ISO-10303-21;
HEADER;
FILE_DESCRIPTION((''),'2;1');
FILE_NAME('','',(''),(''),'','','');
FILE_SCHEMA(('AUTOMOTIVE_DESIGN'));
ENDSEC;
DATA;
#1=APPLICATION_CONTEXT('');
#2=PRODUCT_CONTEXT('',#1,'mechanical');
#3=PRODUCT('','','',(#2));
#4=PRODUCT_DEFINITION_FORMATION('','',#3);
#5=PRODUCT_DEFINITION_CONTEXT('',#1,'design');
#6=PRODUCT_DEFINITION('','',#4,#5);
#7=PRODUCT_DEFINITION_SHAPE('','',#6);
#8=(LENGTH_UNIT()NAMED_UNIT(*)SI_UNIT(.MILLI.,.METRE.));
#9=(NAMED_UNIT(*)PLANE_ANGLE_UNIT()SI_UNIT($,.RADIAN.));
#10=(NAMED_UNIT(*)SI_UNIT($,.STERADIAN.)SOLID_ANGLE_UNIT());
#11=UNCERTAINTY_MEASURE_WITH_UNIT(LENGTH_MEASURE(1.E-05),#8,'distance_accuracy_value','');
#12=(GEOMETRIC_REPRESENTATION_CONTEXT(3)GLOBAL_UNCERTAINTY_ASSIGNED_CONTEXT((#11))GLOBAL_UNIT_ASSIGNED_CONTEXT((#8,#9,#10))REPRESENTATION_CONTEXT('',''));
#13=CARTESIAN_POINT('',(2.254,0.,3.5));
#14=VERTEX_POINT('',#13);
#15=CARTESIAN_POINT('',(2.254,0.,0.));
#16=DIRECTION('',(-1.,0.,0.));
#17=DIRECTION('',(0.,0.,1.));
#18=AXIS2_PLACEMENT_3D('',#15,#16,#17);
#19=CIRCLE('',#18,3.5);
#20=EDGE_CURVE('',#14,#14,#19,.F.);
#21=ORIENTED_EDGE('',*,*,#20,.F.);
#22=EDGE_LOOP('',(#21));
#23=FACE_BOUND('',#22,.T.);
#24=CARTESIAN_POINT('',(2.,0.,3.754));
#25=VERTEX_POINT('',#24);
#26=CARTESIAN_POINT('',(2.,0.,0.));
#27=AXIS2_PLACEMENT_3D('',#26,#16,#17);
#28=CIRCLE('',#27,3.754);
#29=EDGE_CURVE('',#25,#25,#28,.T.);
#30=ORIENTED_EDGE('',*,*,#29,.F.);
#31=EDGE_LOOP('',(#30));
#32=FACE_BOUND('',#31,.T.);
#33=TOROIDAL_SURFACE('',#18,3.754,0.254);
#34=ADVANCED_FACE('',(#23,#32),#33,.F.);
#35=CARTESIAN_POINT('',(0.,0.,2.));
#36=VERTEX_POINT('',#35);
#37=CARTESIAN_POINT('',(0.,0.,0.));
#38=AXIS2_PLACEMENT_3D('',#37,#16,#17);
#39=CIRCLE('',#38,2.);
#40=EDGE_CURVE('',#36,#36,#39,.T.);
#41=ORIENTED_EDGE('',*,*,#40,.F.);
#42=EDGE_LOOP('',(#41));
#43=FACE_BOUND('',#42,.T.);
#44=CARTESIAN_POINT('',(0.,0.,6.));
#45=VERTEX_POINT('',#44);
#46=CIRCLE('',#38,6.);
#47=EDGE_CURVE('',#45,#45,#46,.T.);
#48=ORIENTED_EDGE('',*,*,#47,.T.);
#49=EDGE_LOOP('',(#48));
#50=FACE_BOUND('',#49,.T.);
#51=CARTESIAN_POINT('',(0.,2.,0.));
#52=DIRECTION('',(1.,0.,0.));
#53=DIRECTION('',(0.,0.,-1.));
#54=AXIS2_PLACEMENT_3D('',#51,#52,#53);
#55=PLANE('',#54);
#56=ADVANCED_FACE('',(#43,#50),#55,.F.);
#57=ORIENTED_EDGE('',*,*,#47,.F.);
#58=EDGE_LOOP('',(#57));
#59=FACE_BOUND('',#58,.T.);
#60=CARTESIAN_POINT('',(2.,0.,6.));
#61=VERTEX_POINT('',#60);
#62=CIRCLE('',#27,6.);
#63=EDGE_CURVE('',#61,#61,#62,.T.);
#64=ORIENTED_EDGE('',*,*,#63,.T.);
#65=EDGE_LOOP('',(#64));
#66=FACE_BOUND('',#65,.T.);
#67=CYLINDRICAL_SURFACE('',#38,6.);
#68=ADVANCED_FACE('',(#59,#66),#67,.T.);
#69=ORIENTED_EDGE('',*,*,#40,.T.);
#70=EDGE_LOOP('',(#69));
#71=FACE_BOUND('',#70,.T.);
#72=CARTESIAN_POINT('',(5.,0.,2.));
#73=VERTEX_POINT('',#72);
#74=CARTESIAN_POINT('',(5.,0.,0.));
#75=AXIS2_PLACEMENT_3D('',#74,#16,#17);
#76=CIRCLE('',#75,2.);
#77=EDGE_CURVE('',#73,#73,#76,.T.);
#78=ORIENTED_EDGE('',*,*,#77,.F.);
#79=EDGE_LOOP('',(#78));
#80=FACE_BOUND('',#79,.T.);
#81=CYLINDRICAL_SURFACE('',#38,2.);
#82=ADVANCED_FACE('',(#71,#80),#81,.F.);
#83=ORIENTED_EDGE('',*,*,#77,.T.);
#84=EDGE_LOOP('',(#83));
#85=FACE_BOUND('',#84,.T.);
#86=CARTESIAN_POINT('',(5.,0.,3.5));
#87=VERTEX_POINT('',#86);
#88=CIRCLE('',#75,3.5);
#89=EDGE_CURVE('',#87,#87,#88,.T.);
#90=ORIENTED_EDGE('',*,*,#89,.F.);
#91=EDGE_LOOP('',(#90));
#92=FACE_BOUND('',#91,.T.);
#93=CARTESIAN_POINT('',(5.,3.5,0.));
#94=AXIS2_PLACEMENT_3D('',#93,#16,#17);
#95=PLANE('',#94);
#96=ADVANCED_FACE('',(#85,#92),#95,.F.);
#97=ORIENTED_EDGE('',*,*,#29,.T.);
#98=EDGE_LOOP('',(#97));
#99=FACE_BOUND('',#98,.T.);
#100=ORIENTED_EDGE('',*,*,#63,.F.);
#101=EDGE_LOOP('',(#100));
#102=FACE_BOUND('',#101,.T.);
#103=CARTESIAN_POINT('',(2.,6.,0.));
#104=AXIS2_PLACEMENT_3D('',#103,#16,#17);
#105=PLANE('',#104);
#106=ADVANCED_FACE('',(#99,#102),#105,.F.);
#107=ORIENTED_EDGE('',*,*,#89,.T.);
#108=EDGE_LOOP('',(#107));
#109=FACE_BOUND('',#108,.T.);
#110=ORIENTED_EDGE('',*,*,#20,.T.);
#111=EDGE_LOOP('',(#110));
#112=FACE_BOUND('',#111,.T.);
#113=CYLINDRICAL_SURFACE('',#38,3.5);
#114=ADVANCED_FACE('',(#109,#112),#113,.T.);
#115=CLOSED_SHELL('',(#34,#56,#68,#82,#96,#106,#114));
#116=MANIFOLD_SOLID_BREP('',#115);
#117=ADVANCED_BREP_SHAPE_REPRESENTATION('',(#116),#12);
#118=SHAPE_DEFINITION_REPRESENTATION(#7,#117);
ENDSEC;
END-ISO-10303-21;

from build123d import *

# Parameters (mm, degrees)
FILLET1_R = 0.254


with BuildPart() as part:
    # Sketch1 → Revolve1 (revolve)
    with BuildSketch(Plane.XY, mode=Mode.PRIVATE) as revolve1_sk:
        Polygon((0, 2), (0, 6), (2, 6), (2, 3.5), (5, 3.5), (5, 2), align=None)
    revolve(revolve1_sk.sketch.rotate(Axis((0, 0, 0), (1, 0, 0)), 90), axis=Axis((0, 0, 0), (1, 0, 0)))

    # Fillet1
    fillet1_edges = [part.edges().sort_by_distance(p)[0] for p in [
        (2, 0, -3.5),
    ]]
    fillet(fillet1_edges, radius=FILLET1_R)


solid = part.part
